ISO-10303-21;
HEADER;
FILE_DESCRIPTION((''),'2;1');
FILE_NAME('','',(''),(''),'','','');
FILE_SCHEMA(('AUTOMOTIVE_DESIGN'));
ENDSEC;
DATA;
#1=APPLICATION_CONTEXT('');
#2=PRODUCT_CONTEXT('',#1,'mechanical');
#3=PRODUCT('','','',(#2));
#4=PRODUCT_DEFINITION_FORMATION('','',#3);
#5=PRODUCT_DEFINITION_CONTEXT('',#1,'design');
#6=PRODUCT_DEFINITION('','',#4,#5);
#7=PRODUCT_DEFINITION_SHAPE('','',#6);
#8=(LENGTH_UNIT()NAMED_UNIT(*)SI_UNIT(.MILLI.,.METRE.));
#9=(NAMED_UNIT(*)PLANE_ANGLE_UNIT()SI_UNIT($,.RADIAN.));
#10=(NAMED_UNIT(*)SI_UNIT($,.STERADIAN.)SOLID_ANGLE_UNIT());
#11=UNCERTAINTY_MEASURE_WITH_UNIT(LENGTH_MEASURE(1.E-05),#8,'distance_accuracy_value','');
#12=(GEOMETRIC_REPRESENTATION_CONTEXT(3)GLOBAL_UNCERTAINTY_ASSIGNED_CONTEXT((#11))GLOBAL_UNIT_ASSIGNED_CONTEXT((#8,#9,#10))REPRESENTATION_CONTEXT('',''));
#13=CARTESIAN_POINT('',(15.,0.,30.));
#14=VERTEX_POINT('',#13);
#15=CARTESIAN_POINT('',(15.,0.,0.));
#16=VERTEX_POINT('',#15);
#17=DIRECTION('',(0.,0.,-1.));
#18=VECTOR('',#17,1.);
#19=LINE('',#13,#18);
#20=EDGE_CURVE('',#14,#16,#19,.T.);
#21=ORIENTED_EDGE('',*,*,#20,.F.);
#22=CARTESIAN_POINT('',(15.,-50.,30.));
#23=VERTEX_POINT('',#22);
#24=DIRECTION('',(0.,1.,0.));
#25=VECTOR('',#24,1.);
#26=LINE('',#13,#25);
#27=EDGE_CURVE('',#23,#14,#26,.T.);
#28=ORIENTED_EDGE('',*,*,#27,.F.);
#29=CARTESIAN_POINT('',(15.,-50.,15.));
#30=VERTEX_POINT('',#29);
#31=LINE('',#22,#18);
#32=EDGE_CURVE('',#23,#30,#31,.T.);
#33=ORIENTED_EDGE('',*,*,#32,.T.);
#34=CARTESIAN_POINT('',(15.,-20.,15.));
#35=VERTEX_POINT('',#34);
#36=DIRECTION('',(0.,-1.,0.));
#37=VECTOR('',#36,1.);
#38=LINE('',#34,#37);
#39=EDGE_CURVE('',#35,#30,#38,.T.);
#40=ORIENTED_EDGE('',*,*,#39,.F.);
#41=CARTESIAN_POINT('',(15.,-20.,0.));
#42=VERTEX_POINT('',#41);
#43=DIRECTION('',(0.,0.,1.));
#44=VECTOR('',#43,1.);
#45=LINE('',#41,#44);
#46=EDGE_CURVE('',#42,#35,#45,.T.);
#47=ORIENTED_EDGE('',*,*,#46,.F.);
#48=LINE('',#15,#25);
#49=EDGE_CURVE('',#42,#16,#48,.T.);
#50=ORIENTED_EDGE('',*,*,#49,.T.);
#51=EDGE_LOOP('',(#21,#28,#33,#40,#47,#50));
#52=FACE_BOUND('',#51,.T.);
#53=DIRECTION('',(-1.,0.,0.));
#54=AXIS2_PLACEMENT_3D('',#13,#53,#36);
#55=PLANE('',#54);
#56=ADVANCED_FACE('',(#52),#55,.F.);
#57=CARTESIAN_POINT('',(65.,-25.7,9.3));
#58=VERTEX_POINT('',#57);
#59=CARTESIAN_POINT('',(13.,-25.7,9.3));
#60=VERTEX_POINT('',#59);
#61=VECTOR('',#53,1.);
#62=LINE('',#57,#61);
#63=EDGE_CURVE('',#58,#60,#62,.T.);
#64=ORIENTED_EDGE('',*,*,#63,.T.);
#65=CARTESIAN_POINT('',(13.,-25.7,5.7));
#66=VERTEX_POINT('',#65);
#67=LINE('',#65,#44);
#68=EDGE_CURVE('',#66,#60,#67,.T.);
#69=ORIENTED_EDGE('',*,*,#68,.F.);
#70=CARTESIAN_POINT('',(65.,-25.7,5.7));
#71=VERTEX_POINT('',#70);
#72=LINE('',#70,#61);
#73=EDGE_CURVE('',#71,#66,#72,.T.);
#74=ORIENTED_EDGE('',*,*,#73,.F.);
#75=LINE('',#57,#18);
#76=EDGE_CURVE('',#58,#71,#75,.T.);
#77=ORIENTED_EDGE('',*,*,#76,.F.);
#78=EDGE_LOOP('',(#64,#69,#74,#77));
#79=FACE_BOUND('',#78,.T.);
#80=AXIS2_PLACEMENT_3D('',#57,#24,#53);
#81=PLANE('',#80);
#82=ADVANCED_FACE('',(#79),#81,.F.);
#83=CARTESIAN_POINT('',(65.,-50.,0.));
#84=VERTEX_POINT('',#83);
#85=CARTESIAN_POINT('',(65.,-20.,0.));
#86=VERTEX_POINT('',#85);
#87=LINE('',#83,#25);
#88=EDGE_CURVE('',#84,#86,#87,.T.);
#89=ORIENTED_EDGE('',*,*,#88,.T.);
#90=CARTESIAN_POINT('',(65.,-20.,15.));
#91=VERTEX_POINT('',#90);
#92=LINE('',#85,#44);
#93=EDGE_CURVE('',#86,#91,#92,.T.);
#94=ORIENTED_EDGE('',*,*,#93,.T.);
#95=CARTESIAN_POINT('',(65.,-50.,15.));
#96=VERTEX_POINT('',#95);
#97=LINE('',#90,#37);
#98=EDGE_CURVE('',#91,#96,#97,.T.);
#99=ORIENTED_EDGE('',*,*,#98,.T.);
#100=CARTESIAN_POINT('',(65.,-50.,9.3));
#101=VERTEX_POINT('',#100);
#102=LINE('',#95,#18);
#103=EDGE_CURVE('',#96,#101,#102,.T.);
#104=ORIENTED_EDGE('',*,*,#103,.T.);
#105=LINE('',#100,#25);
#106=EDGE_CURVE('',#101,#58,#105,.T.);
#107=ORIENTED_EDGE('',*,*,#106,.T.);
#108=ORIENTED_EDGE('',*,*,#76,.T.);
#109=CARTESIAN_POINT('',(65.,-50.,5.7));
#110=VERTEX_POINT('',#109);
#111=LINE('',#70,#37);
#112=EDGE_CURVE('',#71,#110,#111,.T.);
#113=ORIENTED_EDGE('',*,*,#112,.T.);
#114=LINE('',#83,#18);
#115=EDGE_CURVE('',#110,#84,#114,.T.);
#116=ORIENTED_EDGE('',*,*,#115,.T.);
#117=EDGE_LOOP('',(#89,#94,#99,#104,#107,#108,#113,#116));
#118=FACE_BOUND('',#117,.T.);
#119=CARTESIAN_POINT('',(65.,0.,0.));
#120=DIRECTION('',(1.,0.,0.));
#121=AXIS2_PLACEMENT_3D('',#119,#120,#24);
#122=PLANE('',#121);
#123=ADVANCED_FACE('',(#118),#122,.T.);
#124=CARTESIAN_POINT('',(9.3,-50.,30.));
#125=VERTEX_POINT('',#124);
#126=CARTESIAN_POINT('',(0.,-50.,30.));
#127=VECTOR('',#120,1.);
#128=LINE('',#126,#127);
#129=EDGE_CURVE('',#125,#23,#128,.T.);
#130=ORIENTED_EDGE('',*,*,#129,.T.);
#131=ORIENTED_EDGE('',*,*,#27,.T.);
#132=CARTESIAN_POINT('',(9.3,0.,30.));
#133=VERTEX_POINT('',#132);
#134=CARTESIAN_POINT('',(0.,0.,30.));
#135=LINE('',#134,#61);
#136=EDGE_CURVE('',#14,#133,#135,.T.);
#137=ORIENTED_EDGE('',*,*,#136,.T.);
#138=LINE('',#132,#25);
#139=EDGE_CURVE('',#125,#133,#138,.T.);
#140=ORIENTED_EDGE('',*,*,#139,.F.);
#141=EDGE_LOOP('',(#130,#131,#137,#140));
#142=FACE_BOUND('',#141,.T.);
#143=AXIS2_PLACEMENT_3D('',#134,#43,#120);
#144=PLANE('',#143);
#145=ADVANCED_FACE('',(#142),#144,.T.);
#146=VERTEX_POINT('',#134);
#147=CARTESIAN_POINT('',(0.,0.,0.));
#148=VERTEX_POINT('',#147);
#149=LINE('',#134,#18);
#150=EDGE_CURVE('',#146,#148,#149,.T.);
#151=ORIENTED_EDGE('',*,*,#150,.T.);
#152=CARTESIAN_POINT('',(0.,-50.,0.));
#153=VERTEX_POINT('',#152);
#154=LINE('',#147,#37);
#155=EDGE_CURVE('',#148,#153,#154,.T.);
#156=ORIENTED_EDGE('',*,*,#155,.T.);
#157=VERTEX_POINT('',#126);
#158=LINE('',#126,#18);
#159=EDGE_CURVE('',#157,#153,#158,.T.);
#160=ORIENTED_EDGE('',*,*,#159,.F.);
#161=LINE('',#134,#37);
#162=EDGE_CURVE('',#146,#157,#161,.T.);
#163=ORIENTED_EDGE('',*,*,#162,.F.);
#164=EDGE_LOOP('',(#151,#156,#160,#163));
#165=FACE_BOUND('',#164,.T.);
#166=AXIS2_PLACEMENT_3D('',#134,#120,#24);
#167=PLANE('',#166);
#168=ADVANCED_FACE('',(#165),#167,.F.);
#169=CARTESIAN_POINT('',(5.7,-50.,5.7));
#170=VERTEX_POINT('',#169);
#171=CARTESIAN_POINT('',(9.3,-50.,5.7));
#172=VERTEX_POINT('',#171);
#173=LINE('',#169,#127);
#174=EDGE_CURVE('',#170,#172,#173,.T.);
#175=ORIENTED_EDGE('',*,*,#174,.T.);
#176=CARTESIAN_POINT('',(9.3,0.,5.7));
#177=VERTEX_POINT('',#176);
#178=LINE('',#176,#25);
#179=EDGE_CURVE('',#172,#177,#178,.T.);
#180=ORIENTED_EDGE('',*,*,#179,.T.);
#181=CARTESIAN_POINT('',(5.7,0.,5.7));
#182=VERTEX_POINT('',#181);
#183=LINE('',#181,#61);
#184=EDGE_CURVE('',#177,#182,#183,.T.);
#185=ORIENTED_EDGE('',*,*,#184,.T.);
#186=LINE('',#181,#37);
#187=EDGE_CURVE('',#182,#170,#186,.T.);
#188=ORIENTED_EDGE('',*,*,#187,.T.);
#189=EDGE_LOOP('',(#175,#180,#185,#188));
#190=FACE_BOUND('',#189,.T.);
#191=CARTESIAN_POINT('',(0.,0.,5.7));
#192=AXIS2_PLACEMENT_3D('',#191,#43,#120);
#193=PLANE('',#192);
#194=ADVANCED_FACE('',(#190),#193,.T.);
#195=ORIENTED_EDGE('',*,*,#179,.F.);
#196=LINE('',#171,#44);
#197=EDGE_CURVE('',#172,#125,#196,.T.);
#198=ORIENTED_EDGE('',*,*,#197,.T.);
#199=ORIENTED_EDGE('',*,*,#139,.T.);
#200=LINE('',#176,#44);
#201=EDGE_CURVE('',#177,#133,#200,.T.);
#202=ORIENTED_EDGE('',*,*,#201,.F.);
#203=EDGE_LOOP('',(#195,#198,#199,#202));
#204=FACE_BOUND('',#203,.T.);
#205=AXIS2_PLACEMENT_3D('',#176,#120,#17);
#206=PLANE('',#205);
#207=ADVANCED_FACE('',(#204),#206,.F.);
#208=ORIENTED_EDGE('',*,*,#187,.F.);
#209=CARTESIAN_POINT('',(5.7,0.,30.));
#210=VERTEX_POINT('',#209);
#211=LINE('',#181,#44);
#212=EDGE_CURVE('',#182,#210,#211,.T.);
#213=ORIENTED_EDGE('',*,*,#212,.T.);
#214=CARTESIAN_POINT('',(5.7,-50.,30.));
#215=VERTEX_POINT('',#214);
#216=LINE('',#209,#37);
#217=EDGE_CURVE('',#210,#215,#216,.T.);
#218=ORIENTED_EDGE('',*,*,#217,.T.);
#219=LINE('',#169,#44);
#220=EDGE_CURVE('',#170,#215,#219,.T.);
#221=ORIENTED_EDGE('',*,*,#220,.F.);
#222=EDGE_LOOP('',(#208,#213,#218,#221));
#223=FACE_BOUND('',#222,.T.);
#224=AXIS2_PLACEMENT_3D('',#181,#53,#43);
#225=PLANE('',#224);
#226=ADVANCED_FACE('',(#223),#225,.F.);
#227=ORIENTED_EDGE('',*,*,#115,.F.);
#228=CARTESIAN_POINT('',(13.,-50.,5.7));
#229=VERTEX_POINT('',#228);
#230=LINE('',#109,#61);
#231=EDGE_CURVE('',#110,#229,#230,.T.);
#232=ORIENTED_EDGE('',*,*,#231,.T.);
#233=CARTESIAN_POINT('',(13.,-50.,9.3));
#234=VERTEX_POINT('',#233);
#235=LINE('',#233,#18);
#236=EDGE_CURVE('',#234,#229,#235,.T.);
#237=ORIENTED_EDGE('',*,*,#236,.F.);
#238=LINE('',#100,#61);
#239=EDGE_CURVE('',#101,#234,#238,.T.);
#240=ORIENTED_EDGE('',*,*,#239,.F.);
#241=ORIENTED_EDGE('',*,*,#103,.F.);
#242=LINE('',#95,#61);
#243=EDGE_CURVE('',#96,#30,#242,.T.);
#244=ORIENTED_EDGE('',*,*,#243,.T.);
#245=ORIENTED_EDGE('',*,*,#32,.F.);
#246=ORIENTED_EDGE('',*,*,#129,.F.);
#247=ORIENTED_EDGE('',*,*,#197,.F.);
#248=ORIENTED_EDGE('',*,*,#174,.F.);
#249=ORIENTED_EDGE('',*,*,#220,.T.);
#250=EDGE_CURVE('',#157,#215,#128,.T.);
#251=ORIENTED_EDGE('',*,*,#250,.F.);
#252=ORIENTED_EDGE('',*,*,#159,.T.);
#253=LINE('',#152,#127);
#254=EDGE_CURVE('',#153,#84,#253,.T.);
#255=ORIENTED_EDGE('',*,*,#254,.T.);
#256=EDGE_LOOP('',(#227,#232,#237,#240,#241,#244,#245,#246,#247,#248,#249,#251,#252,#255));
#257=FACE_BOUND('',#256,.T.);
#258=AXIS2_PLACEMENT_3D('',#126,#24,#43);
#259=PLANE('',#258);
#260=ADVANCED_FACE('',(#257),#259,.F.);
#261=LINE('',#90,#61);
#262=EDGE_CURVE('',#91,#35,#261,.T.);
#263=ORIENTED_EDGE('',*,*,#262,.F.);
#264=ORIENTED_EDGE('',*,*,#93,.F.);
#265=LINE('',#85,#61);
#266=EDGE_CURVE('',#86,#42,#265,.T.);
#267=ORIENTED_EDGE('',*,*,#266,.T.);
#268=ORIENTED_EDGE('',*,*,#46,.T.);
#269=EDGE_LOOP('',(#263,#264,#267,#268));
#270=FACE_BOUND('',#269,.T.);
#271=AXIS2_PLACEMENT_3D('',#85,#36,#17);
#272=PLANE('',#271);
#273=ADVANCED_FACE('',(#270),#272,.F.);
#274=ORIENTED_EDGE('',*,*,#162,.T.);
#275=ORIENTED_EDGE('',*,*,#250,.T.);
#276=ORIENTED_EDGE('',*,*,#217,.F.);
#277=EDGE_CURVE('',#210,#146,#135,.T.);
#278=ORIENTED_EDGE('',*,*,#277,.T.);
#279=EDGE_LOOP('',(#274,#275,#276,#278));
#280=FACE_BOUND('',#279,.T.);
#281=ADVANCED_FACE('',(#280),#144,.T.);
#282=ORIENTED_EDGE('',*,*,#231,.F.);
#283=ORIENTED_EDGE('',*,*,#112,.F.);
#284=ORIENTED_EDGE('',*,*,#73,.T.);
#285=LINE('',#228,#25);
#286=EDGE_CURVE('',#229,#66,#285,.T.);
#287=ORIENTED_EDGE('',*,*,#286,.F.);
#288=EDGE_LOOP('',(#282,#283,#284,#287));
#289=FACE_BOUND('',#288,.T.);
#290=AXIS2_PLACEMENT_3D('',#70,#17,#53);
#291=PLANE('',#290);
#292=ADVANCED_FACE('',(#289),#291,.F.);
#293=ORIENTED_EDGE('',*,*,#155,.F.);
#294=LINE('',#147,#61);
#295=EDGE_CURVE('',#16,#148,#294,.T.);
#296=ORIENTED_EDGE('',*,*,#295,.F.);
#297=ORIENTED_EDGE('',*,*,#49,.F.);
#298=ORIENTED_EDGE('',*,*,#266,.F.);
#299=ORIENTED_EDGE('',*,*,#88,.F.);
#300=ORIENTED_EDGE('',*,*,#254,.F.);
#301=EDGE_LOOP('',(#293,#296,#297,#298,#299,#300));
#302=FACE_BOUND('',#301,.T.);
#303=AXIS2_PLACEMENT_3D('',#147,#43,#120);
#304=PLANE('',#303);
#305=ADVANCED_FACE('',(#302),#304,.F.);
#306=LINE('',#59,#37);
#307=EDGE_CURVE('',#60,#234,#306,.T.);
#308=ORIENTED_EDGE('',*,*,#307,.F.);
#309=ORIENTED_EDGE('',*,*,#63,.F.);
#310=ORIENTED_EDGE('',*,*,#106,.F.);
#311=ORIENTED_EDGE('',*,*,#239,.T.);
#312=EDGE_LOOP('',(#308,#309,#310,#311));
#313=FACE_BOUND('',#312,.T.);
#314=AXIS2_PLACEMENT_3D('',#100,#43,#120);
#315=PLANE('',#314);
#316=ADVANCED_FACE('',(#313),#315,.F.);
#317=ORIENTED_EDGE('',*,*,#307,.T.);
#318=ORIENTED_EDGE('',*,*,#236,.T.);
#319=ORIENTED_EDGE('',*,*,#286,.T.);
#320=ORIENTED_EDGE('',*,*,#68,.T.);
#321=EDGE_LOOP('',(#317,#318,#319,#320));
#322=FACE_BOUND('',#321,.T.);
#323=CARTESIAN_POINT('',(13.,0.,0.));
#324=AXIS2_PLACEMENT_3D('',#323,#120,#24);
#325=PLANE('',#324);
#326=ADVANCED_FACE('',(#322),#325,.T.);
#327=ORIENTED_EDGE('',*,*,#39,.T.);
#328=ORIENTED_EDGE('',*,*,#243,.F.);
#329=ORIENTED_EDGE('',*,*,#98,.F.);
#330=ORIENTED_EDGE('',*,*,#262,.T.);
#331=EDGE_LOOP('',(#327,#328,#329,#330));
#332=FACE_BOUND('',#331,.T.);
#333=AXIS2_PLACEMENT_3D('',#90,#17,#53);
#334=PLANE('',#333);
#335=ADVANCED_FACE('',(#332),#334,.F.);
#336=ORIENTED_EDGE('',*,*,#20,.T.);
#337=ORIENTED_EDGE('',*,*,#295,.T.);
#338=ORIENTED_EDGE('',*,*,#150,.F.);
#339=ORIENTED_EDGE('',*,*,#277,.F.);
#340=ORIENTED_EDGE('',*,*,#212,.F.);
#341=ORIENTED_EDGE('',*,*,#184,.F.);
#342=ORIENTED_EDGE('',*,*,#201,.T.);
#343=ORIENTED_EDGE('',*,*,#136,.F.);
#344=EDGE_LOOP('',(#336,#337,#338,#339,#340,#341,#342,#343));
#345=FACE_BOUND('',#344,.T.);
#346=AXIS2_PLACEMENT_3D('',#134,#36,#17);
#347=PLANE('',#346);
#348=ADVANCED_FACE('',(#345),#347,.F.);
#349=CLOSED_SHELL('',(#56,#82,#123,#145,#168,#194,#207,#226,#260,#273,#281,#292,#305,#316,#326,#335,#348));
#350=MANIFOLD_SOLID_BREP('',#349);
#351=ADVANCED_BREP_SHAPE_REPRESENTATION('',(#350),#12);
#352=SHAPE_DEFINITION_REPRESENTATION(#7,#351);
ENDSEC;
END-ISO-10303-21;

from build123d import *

# Parameters (mm, degrees)
ESQUISSE1_W             = 15
ESQUISSE1_H             = 50
BOSS_EXTRU_1_DEPTH      = 30
ESQUISSE2_W             = 3.6
ESQUISSE2_H             = 50
ENL_V_MAT_EXTRU_1_DEPTH = 24.3
BOSS_EXTRU_2_DEPTH      = 50
ESQUISSE5_W             = 3.6
ESQUISSE5_H             = 24.3
ENL_V_MAT_EXTRU_2_DEPTH = 2


with BuildPart() as part:
    # Esquisse1 → Boss.-Extru.1 (new body)
    with BuildSketch(Plane.XY):
        with Locations((7.5, -25)):
            Rectangle(ESQUISSE1_W, ESQUISSE1_H)
    extrude(amount=BOSS_EXTRU_1_DEPTH)

    # Esquisse2 → Enlèv. mat.-Extru.1 (cut)
    with BuildSketch(Plane.XY.offset(30)):
        with Locations((7.5, -25)):
            Rectangle(ESQUISSE2_W, ESQUISSE2_H)
    extrude(amount=-ENL_V_MAT_EXTRU_1_DEPTH, mode=Mode.SUBTRACT)

    # Esquisse4 → Boss.-Extru.2 (add)
    with BuildSketch(Plane(origin=(15, 0, 0), x_dir=(0, 0, -1), z_dir=(1, 0, 0))):
        Polygon((0, -50), (0, -20), (-15, -20), (-15, -50), (-9.3, -50), (-9.3, -25.7), (-5.7, -25.7), (-5.7, -50), align=None)
    extrude(amount=BOSS_EXTRU_2_DEPTH)

    # Esquisse5 → Enlèv. mat.-Extru.2 (cut)
    with BuildSketch(Plane(origin=(15, 0, 0), x_dir=(0, 0, -1), z_dir=(1, 0, 0))):
        with Locations((-7.5, -37.85)):
            Rectangle(ESQUISSE5_W, ESQUISSE5_H)
    extrude(amount=-ENL_V_MAT_EXTRU_2_DEPTH, mode=Mode.SUBTRACT)


solid = part.part
